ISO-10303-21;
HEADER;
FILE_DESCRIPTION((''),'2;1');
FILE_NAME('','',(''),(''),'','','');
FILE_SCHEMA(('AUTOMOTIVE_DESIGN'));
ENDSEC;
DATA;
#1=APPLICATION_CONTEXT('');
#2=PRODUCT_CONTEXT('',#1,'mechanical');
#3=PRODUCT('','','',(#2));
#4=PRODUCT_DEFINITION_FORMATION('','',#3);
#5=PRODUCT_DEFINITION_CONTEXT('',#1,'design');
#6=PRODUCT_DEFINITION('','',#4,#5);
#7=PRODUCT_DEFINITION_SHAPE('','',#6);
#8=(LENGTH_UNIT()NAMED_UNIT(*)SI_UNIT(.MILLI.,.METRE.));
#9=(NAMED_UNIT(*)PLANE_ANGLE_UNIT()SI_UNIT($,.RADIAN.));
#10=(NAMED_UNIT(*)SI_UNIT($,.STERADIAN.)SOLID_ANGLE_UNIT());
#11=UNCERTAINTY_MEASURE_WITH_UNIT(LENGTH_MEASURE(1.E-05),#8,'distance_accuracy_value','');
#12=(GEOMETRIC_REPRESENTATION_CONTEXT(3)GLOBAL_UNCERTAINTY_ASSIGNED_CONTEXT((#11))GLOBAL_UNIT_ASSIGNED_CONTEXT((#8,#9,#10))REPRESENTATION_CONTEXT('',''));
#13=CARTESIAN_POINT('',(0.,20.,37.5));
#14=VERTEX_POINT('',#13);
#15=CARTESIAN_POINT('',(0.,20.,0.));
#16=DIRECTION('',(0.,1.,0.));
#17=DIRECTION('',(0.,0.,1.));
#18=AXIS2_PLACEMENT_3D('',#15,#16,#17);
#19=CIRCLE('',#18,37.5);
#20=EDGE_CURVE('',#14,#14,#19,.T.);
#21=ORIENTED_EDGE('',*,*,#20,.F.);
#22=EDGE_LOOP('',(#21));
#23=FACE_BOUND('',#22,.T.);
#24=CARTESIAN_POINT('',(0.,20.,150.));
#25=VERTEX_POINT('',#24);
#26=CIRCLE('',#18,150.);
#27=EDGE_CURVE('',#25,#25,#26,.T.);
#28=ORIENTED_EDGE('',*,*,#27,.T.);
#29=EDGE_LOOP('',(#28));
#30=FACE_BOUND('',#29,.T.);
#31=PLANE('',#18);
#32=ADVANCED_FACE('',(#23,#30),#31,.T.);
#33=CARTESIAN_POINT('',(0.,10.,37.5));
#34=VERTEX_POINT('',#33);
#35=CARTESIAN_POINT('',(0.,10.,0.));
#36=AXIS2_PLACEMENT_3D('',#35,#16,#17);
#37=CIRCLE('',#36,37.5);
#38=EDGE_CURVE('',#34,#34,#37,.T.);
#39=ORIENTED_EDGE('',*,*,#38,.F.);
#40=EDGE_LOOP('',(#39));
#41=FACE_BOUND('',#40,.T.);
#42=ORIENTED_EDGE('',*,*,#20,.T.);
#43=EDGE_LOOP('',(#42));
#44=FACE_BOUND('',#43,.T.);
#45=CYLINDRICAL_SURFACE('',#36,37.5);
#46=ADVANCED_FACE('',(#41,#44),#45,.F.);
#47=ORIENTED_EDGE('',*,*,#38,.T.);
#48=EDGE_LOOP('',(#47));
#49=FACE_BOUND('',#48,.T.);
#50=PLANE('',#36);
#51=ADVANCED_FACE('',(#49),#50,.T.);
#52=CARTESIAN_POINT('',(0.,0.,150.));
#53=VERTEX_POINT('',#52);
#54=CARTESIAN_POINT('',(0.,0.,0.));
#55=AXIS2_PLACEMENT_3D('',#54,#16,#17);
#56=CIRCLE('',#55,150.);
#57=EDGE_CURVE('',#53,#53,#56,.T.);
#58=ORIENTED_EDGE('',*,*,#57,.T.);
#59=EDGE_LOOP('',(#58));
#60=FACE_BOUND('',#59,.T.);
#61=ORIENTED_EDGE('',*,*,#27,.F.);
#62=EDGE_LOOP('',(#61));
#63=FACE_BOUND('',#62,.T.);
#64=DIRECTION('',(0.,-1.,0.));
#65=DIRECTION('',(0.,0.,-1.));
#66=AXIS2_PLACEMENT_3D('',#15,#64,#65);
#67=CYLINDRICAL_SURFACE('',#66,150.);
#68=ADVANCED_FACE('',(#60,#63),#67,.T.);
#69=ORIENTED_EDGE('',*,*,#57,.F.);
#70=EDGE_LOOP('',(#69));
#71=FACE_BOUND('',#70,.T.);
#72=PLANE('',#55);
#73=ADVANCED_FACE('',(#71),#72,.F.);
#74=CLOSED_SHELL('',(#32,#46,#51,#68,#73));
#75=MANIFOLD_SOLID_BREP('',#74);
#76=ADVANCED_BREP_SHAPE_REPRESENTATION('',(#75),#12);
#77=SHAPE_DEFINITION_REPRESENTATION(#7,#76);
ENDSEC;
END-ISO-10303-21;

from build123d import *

# Parameters (mm, degrees)
SKETCH1_R           = 150
BOSS_EXTRUDE1_DEPTH = 20
SKETCH2_R           = 37.5
CUT_EXTRUDE1_DEPTH  = 10


with BuildPart() as part:
    # Sketch1 → Boss-Extrude1 (new body)
    with BuildSketch(Plane(origin=(0, 0, 0), x_dir=(1, 0, 0), z_dir=(0, 1, 0))):
        with Locations(Location((0, 0, 0), (0, 0, 270))):
            Circle(SKETCH1_R)
    extrude(amount=BOSS_EXTRUDE1_DEPTH)

    # Sketch2 → Cut-Extrude1 (cut)
    with BuildSketch(Plane(origin=(0, 20, 0), x_dir=(1, 0, 0), z_dir=(0, 1, 0))):
        with Locations(Location((0, 0, 0), (0, 0, 270))):
            Circle(SKETCH2_R)
    extrude(amount=-CUT_EXTRUDE1_DEPTH, mode=Mode.SUBTRACT)


solid = part.part
